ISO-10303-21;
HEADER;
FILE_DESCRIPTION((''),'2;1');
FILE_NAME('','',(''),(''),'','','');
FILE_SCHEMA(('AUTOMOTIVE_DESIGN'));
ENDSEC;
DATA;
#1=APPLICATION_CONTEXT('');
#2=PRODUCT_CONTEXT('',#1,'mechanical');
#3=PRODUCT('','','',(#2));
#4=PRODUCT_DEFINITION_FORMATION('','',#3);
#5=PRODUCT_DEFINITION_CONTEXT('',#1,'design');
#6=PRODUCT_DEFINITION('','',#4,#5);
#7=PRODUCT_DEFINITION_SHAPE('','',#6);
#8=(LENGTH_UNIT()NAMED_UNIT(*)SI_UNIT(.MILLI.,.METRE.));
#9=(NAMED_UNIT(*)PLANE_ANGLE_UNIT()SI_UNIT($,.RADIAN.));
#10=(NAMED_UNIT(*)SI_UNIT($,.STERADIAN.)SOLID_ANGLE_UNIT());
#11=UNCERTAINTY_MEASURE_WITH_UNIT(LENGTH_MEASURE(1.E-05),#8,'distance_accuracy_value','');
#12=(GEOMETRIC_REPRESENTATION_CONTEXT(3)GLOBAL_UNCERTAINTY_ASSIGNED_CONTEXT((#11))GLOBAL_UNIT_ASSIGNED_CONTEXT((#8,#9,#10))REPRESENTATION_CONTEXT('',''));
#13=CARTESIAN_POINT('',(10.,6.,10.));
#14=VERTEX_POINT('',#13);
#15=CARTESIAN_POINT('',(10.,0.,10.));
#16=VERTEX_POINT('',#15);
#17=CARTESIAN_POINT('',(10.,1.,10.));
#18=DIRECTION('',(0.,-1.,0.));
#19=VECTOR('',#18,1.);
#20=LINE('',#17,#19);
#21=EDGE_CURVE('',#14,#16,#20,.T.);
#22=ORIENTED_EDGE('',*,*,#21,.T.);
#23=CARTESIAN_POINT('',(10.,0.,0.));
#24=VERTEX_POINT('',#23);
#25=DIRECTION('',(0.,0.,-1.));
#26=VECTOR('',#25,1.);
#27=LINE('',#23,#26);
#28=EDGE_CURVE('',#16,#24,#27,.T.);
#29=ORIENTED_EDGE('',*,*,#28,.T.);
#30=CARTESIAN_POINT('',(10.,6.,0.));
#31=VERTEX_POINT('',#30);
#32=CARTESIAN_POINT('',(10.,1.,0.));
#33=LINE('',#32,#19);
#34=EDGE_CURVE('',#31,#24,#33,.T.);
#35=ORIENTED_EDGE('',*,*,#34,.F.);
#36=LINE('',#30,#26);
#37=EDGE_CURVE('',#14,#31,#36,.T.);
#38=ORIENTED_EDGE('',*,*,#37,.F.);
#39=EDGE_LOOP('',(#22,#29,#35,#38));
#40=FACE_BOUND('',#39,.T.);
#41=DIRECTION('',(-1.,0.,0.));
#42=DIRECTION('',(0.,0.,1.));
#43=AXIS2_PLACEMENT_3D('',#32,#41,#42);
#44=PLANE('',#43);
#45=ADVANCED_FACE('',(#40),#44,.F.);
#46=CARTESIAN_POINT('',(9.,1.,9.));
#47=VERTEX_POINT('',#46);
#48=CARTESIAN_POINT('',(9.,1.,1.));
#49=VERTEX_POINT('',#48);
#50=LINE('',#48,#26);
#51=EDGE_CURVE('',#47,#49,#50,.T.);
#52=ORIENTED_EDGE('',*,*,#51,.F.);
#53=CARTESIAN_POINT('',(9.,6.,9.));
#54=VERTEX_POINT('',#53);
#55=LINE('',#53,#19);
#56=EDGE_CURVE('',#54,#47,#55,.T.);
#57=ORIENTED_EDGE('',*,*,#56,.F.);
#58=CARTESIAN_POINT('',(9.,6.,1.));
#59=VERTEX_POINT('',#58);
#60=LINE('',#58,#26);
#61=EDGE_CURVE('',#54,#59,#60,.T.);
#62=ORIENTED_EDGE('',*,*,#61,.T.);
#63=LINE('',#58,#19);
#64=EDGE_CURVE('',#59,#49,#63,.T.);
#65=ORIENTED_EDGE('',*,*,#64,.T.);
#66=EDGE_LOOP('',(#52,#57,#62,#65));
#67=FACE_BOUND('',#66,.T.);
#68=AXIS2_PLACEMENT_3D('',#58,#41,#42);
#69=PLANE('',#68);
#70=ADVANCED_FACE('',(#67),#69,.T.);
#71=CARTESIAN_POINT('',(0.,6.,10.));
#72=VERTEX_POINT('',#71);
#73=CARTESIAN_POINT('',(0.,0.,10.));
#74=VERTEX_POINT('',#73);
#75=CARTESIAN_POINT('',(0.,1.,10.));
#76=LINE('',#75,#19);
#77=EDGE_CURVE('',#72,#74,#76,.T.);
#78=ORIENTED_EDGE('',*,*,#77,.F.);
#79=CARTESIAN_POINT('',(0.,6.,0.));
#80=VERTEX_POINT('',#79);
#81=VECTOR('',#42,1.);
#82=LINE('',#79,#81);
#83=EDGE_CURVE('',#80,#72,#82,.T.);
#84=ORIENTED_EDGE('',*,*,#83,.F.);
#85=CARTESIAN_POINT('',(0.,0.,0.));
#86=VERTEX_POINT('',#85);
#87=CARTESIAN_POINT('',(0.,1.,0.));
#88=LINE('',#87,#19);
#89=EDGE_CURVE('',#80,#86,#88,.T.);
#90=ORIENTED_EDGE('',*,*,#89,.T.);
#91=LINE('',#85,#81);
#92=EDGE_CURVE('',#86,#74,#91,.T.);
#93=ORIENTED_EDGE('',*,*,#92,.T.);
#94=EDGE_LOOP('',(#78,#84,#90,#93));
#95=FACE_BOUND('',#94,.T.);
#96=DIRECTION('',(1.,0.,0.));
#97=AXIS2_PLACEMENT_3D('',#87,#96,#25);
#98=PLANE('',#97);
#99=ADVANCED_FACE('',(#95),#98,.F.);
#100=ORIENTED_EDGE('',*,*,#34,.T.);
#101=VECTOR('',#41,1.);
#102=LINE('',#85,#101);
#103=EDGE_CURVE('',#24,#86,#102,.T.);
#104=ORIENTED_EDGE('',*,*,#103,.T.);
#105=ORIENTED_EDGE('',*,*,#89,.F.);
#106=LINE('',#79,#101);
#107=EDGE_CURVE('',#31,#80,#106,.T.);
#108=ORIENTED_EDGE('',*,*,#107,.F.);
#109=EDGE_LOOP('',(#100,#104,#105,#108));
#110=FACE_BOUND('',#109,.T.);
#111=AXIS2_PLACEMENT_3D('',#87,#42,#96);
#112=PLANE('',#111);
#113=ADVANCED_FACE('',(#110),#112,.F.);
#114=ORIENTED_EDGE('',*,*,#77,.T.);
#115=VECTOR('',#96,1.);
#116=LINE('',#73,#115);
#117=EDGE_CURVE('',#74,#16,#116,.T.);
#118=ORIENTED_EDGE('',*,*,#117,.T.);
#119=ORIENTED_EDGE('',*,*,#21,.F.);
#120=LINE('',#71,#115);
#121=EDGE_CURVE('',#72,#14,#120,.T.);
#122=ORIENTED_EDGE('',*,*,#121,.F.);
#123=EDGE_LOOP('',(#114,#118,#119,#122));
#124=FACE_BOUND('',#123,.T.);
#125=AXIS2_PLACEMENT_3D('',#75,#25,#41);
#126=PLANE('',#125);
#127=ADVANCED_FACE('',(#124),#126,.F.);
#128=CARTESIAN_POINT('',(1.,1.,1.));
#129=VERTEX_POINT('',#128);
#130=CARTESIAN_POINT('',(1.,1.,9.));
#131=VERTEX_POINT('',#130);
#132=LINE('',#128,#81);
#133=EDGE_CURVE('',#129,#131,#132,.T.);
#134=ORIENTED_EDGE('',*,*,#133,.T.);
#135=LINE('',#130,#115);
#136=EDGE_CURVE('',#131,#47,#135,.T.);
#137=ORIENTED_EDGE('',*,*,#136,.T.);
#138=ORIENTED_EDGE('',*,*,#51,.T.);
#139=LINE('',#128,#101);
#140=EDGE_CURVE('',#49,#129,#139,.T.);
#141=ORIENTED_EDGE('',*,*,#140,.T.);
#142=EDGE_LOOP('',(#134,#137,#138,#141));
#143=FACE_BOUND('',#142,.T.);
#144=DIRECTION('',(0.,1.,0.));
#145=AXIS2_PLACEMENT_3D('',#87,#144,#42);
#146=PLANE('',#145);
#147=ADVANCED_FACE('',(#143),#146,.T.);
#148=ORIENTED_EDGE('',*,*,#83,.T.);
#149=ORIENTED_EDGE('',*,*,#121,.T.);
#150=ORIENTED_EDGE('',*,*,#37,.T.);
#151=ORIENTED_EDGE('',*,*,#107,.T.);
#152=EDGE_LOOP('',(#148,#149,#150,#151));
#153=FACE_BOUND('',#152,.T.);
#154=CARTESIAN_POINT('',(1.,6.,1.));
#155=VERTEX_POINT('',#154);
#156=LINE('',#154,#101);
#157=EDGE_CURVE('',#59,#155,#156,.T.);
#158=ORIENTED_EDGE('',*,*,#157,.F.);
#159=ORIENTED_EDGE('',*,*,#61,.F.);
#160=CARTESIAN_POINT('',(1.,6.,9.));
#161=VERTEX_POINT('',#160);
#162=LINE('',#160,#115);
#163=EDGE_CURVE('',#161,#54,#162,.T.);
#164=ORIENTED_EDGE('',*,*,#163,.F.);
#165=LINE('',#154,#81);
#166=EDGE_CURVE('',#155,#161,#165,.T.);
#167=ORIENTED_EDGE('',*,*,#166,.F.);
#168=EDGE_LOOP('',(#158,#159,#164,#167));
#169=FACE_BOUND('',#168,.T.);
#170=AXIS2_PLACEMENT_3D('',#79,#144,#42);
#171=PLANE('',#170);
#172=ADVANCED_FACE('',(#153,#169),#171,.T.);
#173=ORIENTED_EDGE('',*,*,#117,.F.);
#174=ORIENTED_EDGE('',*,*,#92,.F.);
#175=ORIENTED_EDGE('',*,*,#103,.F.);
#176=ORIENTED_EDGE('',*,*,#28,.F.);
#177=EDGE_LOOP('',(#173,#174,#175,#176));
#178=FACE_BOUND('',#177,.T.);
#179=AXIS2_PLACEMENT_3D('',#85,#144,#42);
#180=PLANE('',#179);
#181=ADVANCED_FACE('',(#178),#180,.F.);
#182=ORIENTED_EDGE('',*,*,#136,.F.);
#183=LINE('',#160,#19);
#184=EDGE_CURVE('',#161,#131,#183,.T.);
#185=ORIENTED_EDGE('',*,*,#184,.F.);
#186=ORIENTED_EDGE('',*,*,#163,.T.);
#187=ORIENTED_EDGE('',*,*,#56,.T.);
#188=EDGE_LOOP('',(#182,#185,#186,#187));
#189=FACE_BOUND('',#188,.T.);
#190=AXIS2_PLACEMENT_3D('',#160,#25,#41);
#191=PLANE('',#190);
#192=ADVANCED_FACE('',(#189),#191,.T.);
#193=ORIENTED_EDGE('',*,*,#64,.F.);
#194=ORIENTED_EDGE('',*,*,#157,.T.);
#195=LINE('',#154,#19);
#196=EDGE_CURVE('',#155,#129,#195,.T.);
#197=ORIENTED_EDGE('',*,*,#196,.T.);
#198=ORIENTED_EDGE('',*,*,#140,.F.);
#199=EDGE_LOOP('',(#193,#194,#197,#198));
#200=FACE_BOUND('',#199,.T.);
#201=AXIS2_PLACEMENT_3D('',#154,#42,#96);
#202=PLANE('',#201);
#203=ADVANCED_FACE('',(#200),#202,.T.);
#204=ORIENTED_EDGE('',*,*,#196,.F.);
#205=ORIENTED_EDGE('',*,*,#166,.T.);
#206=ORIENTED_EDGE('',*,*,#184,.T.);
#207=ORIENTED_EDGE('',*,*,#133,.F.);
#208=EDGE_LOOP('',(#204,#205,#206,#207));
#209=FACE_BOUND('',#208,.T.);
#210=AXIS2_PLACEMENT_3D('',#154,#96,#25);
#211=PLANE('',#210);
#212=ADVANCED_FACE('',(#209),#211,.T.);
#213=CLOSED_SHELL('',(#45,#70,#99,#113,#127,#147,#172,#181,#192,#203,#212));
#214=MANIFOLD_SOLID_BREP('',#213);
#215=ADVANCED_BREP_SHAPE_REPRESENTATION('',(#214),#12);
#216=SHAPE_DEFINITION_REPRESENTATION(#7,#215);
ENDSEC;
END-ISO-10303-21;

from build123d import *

# Parameters (mm, degrees)
SKETCH1_W           = 10
SKETCH1_H           = 10
BOSS_EXTRUDE1_DEPTH = 1
SKETCH2_W           = 10
SKETCH2_H           = 10
SKETCH2_W_2         = 8
SKETCH2_H_2         = 8
BOSS_EXTRUDE2_DEPTH = 5


with BuildPart() as part:
    # Sketch1 → Boss-Extrude1 (new body)
    with BuildSketch(Plane(origin=(0, 0, 0), x_dir=(1, 0, 0), z_dir=(0, 1, 0))):
        with Locations((5, -5)):
            Rectangle(SKETCH1_W, SKETCH1_H)
    extrude(amount=BOSS_EXTRUDE1_DEPTH)

    # Sketch2 → Boss-Extrude2 (add)
    with BuildSketch(Plane(origin=(0, 1, 0), x_dir=(1, 0, 0), z_dir=(0, 1, 0))):
        with Locations((5, -5)):
            Rectangle(SKETCH2_W, SKETCH2_H)
        with Locations((5, -5)):
            Rectangle(SKETCH2_W_2, SKETCH2_H_2, mode=Mode.SUBTRACT)
    extrude(amount=BOSS_EXTRUDE2_DEPTH)


solid = part.part
